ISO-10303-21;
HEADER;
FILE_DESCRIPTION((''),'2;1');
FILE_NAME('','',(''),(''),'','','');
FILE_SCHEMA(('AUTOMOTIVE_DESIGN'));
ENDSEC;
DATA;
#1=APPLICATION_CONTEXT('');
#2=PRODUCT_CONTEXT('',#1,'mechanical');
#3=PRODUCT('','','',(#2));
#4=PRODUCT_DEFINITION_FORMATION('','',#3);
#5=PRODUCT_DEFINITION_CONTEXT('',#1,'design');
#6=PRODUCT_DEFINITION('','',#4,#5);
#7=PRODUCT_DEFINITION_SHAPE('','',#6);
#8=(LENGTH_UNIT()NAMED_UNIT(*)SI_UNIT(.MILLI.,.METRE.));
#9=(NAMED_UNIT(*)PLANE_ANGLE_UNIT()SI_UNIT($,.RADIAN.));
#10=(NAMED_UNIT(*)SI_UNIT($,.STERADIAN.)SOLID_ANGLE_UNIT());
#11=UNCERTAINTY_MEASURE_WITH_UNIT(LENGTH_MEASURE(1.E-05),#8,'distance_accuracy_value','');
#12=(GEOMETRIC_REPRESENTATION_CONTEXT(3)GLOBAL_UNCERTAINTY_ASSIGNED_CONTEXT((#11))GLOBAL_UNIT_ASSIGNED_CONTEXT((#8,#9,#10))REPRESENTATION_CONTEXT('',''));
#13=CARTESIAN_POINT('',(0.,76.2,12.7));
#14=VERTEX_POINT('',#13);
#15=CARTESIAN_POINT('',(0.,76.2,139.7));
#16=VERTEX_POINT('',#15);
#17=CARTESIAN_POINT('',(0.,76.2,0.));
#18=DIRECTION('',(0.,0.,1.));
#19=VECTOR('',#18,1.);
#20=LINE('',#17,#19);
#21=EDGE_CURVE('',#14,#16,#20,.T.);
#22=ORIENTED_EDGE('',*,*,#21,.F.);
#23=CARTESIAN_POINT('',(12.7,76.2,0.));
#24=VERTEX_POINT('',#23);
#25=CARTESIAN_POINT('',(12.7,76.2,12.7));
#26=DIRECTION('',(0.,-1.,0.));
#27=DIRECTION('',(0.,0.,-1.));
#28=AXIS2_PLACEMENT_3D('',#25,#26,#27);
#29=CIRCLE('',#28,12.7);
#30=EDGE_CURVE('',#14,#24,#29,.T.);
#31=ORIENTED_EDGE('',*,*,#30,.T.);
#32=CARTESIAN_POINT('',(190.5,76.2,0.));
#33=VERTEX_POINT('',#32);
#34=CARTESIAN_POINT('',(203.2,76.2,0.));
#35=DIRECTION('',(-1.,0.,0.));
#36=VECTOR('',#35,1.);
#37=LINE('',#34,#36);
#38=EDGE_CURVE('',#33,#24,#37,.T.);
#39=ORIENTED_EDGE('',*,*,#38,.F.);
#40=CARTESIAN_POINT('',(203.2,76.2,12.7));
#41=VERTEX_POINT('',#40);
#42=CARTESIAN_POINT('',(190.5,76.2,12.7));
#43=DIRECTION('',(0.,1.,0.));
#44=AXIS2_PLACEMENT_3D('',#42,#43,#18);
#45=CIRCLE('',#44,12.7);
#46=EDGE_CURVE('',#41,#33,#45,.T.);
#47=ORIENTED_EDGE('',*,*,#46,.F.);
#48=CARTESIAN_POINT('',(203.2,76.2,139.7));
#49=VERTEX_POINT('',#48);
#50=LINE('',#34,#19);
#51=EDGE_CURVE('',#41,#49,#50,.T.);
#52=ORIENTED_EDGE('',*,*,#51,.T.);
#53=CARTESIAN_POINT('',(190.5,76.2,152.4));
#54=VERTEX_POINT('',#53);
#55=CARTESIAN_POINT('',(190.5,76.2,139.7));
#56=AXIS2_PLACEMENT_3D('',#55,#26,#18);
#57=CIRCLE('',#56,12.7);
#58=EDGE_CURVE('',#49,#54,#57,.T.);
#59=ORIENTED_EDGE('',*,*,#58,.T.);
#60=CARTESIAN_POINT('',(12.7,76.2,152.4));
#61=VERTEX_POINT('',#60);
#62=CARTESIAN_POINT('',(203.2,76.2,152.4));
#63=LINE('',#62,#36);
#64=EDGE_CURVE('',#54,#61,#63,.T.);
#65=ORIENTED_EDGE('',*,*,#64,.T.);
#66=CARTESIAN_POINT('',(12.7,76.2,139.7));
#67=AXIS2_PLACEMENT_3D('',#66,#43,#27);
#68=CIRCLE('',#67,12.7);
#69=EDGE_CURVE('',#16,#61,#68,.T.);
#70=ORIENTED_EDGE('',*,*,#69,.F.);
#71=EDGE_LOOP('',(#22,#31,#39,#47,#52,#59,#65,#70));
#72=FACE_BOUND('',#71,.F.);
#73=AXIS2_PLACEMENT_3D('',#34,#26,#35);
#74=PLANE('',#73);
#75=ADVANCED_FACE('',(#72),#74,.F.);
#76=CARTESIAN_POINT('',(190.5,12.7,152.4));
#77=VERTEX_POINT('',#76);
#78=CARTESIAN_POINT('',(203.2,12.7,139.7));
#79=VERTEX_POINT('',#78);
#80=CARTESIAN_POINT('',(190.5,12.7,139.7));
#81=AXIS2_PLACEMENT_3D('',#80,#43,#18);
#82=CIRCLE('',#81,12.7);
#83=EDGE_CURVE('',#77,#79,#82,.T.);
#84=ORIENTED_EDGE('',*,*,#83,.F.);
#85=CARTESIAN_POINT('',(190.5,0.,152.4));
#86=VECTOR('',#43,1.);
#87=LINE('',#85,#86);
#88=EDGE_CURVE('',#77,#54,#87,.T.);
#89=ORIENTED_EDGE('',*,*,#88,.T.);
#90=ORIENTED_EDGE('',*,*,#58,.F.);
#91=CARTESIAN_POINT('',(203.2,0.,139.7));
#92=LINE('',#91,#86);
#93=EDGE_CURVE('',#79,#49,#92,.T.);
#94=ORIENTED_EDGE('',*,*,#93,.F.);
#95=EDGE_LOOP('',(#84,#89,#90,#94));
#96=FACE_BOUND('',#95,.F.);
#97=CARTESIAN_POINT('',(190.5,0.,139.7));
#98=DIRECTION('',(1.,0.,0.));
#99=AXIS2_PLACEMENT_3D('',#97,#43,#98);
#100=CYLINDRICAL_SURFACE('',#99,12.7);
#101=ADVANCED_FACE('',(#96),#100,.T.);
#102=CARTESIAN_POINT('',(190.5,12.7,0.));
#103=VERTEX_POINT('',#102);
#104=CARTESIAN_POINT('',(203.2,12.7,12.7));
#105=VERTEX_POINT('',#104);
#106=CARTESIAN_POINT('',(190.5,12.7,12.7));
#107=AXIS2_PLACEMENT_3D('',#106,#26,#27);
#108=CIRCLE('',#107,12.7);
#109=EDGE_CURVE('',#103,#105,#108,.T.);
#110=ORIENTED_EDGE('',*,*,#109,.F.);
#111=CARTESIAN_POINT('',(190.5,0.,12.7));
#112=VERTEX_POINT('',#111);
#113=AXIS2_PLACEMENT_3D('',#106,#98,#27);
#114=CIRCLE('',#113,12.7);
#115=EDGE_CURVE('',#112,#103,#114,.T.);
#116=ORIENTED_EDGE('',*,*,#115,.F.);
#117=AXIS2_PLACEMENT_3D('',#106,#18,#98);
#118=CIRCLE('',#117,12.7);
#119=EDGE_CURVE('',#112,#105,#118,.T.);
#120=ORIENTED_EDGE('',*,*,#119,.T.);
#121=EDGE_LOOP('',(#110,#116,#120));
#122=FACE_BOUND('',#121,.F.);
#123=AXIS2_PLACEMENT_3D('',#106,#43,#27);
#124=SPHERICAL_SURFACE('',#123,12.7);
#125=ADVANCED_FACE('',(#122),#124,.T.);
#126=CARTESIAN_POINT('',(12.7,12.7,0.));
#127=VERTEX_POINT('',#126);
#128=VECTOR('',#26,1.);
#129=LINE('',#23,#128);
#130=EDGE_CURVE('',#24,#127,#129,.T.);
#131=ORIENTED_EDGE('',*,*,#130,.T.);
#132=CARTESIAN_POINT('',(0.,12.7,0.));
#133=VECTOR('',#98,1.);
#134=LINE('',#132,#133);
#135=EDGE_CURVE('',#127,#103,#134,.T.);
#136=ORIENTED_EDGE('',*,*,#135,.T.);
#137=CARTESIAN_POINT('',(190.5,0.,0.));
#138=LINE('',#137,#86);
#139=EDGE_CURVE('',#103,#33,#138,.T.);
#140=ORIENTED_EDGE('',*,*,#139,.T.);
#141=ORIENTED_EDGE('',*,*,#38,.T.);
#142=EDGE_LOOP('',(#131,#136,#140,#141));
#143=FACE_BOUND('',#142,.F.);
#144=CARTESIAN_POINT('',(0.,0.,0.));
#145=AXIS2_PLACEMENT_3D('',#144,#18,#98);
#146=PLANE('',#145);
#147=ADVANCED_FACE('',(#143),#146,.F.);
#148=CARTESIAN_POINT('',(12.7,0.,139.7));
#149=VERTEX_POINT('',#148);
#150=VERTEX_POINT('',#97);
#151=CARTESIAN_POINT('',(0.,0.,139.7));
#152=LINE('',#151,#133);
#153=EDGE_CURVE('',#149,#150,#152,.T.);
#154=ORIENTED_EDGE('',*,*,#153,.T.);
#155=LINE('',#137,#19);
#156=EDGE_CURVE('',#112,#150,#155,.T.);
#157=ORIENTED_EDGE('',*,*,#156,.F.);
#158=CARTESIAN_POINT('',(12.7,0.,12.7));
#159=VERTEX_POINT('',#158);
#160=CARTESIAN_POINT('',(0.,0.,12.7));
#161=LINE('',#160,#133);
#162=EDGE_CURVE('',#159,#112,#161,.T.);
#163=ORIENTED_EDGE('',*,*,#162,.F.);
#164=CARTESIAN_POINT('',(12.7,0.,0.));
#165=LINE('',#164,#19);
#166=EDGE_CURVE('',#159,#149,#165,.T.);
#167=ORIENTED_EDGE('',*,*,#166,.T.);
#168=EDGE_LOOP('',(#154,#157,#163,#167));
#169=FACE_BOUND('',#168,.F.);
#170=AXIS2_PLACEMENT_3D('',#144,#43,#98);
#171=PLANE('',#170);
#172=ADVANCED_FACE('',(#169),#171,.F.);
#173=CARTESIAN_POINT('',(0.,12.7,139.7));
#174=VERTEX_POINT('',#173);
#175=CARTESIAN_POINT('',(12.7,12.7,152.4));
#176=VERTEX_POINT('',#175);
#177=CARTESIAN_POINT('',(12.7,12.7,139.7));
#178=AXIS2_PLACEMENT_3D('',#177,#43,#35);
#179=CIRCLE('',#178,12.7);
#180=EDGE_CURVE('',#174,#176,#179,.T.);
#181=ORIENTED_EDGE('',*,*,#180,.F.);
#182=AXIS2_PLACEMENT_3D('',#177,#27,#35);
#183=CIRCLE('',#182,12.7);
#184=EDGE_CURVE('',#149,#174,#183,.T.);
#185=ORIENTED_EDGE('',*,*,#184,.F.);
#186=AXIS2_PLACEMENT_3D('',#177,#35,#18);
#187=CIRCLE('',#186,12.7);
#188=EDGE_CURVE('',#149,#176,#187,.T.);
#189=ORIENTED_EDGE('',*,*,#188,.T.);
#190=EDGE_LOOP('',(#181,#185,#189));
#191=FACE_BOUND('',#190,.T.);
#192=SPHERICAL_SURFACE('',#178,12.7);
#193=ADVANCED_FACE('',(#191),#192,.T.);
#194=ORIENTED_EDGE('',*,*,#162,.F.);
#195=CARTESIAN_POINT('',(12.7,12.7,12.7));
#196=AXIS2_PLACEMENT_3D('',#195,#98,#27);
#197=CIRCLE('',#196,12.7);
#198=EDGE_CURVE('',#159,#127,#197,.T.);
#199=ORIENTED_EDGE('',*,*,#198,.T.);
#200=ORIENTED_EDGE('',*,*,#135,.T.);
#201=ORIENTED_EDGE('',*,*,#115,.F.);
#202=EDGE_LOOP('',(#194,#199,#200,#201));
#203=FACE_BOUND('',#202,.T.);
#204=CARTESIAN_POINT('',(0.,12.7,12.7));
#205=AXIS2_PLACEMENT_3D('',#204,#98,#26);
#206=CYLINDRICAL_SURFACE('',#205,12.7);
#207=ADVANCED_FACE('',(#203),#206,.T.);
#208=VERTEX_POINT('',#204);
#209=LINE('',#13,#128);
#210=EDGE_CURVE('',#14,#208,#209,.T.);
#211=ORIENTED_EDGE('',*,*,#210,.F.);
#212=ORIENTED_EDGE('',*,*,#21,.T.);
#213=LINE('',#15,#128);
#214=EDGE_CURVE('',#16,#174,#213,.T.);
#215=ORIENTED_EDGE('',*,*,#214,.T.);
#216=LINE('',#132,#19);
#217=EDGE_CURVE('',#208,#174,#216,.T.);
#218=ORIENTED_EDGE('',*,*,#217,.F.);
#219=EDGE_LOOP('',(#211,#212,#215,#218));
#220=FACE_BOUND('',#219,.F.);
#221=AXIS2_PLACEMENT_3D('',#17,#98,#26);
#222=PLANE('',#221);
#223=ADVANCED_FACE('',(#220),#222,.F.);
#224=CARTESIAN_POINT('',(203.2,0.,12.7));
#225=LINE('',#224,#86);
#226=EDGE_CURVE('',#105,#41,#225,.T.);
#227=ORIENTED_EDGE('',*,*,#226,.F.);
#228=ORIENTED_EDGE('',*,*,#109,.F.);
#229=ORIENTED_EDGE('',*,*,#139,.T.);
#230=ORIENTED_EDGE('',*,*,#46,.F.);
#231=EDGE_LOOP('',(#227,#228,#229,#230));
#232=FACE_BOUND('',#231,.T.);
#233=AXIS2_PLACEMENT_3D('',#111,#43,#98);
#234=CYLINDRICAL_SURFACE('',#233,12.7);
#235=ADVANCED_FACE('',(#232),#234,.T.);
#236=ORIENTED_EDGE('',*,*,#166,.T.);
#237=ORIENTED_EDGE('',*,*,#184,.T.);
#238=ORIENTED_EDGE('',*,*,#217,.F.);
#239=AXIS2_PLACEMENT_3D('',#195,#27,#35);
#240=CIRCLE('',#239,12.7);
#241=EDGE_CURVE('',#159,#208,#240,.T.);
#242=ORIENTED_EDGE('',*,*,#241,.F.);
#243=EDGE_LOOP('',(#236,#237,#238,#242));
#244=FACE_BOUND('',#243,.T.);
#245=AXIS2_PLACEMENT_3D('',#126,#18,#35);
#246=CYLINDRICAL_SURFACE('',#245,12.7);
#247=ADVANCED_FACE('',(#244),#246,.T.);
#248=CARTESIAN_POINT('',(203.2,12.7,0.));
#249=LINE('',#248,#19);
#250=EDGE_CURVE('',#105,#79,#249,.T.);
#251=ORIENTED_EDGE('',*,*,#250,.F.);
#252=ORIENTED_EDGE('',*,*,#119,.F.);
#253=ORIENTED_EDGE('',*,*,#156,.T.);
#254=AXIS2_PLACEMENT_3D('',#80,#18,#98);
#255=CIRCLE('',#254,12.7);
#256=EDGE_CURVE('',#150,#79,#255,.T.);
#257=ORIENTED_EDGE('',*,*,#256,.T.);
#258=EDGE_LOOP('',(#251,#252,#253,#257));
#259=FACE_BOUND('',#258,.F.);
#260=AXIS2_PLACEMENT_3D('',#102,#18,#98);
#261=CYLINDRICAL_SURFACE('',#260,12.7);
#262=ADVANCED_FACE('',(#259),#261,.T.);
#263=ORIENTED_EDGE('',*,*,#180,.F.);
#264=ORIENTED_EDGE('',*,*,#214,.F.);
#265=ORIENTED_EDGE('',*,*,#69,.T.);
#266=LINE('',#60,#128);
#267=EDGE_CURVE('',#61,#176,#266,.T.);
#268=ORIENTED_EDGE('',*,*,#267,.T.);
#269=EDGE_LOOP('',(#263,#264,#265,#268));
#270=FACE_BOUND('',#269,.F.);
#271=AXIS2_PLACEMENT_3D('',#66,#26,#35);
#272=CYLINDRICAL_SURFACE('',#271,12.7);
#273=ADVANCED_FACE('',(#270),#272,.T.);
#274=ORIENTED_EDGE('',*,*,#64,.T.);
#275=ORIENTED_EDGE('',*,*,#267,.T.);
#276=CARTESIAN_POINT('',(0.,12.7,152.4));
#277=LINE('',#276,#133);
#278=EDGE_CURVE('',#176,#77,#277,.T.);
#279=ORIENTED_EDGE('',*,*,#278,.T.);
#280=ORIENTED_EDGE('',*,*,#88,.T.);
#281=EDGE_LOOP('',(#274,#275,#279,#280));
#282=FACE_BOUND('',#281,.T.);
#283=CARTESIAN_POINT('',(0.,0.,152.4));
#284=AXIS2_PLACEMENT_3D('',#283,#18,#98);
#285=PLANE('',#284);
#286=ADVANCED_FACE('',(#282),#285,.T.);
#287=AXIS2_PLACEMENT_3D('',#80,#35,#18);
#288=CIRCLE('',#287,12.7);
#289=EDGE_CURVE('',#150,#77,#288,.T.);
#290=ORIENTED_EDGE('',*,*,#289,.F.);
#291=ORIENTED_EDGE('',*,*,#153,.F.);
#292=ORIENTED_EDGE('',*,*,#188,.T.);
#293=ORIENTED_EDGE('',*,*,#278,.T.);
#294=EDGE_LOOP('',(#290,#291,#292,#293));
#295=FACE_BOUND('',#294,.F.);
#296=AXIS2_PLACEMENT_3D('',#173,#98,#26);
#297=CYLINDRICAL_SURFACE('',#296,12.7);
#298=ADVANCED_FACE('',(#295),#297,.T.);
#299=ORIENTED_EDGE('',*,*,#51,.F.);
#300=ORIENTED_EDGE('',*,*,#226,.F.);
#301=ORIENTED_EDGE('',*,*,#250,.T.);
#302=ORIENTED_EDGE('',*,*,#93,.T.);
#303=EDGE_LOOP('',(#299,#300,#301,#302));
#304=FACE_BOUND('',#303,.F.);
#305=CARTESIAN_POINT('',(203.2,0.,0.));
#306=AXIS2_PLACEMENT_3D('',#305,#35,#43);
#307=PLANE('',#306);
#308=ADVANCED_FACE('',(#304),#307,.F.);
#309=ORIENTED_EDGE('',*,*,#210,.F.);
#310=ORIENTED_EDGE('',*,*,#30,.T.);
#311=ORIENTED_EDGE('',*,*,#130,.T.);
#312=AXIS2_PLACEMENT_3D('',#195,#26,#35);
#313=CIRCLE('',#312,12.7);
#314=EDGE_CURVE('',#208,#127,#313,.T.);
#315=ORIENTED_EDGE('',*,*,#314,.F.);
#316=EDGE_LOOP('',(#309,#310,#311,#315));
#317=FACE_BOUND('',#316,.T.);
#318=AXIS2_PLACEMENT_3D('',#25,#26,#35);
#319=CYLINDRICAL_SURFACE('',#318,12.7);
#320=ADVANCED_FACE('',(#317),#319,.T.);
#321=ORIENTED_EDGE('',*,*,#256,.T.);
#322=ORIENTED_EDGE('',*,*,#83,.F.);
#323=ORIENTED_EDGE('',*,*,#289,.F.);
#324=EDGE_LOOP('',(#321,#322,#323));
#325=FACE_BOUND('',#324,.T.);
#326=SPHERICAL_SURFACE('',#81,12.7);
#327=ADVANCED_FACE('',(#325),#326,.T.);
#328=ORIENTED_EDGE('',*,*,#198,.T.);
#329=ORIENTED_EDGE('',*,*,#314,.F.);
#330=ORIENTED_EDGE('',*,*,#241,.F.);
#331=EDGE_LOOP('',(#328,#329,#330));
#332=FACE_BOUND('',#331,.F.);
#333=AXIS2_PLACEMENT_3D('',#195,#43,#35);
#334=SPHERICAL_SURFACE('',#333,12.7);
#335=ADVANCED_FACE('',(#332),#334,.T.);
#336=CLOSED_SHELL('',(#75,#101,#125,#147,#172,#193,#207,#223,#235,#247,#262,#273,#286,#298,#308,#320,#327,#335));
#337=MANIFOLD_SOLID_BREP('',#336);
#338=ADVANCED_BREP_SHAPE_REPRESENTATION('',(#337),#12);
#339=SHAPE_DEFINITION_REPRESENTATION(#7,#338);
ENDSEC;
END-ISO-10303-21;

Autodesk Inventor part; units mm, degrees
ref_plane "YZ Plane" through (0, 0, 0) normal (1, 0, 0) x (0, 1, 0)
ref_plane "XZ Plane" through (0, 0, 0) normal (0, 1, 0) x (-1, 0, 0)
ref_plane "XY Plane" through (0, 0, 0) normal (0, 0, 1) x (1, 0, 0)
sketch "Sketch1" plane through (0, 0, 0) normal (0, 1, 0) x (-1, 0, 0)
  point P0 (0, 0)
sketch "Sketch2" plane through (0, 0, 0) normal (0, 0, 1) x (1, 0, 0)
  line L0 (0, 0) -> (203.2, 0)
  line L1 (203.2, 0) -> (203.2, 76.2)
  line L2 (203.2, 76.2) -> (0, 76.2)
  line L3 (0, 76.2) -> (0, 0)
  dimension "d0" = 203.2
  dimension "d1" = 76.2
extrude "Extrusion1" add sketch "Sketch2" along normal blind 152.4
fillet "Fillet1" radius 12.7 8 edges at (0, 38.1, 152.4) (203.2, 38.1, 152.4) (203.2, 38.1, 0) (0, 38.1, 0) (0, 0, 76.2) (101.6, 0, 152.4) (101.6, 0, 0) (203.2, 0, 76.2)
properties part number "electronicsbay"
